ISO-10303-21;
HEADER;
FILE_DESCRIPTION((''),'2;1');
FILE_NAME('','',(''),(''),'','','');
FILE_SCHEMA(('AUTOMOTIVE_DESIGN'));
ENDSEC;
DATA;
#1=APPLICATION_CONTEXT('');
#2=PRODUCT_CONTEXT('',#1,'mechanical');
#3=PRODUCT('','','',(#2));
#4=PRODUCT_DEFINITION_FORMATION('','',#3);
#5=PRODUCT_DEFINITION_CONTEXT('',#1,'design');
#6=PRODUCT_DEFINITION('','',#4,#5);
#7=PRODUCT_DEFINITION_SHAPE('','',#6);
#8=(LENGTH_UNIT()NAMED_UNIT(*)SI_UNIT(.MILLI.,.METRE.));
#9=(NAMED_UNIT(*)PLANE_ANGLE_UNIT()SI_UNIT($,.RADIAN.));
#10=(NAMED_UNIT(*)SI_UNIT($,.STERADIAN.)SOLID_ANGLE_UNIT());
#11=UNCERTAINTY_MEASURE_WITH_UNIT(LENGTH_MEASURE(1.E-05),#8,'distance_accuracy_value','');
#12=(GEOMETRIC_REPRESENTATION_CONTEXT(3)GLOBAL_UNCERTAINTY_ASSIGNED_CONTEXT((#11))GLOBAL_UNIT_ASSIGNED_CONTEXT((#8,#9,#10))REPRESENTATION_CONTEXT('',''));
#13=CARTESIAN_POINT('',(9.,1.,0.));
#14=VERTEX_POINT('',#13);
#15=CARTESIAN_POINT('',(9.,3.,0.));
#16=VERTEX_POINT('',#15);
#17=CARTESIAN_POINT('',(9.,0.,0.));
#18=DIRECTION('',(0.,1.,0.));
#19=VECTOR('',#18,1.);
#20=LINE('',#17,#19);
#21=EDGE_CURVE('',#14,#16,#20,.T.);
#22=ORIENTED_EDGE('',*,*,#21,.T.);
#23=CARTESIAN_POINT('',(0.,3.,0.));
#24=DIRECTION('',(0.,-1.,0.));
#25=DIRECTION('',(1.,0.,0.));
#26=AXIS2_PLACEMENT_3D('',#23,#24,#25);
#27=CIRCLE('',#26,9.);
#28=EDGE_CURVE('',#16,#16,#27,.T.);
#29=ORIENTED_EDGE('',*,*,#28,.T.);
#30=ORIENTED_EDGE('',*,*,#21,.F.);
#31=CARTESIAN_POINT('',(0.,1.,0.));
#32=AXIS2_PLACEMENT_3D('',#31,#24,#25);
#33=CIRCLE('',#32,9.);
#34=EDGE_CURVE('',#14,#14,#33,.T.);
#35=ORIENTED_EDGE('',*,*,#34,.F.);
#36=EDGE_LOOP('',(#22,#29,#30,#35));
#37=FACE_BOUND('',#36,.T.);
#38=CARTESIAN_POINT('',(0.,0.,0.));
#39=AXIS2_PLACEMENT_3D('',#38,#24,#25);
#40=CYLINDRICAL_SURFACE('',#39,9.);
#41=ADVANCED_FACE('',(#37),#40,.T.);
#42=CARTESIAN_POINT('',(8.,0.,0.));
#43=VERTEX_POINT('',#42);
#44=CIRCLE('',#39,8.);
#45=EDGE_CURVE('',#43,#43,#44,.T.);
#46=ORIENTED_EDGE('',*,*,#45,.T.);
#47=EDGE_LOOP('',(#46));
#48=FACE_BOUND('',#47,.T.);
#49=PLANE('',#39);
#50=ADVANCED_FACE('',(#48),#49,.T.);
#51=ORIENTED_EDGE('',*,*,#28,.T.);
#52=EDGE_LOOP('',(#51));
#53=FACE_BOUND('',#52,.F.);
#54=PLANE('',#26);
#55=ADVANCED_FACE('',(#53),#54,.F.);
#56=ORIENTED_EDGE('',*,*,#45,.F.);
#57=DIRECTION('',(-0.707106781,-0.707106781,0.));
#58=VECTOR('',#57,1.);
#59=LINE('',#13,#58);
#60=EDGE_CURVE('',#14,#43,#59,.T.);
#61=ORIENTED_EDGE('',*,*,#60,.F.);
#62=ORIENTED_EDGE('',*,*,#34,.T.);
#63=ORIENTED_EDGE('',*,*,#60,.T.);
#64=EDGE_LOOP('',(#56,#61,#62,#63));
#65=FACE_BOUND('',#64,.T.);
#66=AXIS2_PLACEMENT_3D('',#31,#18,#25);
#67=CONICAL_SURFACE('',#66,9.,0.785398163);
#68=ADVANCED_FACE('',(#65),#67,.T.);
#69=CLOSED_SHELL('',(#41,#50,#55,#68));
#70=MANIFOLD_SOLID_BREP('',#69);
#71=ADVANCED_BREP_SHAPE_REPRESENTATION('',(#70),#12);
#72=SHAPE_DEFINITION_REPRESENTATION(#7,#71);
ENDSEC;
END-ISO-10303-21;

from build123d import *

# Parameters (mm, degrees)
F0_R     = 9
F1_DEPTH = 3
F2_SIZE  = 1


with BuildPart() as f1:
    # F0 (on Front) → F1 (new body)
    with BuildSketch(Plane.XZ):
        Circle(F0_R)
    extrude(amount=-F1_DEPTH)

    # F2
    f2_edges = [f1.edges().sort_by_distance(p)[0] for p in [
        (-9, 0, 0),
    ]]
    chamfer(f2_edges, length=F2_SIZE)


solid = f1.part
